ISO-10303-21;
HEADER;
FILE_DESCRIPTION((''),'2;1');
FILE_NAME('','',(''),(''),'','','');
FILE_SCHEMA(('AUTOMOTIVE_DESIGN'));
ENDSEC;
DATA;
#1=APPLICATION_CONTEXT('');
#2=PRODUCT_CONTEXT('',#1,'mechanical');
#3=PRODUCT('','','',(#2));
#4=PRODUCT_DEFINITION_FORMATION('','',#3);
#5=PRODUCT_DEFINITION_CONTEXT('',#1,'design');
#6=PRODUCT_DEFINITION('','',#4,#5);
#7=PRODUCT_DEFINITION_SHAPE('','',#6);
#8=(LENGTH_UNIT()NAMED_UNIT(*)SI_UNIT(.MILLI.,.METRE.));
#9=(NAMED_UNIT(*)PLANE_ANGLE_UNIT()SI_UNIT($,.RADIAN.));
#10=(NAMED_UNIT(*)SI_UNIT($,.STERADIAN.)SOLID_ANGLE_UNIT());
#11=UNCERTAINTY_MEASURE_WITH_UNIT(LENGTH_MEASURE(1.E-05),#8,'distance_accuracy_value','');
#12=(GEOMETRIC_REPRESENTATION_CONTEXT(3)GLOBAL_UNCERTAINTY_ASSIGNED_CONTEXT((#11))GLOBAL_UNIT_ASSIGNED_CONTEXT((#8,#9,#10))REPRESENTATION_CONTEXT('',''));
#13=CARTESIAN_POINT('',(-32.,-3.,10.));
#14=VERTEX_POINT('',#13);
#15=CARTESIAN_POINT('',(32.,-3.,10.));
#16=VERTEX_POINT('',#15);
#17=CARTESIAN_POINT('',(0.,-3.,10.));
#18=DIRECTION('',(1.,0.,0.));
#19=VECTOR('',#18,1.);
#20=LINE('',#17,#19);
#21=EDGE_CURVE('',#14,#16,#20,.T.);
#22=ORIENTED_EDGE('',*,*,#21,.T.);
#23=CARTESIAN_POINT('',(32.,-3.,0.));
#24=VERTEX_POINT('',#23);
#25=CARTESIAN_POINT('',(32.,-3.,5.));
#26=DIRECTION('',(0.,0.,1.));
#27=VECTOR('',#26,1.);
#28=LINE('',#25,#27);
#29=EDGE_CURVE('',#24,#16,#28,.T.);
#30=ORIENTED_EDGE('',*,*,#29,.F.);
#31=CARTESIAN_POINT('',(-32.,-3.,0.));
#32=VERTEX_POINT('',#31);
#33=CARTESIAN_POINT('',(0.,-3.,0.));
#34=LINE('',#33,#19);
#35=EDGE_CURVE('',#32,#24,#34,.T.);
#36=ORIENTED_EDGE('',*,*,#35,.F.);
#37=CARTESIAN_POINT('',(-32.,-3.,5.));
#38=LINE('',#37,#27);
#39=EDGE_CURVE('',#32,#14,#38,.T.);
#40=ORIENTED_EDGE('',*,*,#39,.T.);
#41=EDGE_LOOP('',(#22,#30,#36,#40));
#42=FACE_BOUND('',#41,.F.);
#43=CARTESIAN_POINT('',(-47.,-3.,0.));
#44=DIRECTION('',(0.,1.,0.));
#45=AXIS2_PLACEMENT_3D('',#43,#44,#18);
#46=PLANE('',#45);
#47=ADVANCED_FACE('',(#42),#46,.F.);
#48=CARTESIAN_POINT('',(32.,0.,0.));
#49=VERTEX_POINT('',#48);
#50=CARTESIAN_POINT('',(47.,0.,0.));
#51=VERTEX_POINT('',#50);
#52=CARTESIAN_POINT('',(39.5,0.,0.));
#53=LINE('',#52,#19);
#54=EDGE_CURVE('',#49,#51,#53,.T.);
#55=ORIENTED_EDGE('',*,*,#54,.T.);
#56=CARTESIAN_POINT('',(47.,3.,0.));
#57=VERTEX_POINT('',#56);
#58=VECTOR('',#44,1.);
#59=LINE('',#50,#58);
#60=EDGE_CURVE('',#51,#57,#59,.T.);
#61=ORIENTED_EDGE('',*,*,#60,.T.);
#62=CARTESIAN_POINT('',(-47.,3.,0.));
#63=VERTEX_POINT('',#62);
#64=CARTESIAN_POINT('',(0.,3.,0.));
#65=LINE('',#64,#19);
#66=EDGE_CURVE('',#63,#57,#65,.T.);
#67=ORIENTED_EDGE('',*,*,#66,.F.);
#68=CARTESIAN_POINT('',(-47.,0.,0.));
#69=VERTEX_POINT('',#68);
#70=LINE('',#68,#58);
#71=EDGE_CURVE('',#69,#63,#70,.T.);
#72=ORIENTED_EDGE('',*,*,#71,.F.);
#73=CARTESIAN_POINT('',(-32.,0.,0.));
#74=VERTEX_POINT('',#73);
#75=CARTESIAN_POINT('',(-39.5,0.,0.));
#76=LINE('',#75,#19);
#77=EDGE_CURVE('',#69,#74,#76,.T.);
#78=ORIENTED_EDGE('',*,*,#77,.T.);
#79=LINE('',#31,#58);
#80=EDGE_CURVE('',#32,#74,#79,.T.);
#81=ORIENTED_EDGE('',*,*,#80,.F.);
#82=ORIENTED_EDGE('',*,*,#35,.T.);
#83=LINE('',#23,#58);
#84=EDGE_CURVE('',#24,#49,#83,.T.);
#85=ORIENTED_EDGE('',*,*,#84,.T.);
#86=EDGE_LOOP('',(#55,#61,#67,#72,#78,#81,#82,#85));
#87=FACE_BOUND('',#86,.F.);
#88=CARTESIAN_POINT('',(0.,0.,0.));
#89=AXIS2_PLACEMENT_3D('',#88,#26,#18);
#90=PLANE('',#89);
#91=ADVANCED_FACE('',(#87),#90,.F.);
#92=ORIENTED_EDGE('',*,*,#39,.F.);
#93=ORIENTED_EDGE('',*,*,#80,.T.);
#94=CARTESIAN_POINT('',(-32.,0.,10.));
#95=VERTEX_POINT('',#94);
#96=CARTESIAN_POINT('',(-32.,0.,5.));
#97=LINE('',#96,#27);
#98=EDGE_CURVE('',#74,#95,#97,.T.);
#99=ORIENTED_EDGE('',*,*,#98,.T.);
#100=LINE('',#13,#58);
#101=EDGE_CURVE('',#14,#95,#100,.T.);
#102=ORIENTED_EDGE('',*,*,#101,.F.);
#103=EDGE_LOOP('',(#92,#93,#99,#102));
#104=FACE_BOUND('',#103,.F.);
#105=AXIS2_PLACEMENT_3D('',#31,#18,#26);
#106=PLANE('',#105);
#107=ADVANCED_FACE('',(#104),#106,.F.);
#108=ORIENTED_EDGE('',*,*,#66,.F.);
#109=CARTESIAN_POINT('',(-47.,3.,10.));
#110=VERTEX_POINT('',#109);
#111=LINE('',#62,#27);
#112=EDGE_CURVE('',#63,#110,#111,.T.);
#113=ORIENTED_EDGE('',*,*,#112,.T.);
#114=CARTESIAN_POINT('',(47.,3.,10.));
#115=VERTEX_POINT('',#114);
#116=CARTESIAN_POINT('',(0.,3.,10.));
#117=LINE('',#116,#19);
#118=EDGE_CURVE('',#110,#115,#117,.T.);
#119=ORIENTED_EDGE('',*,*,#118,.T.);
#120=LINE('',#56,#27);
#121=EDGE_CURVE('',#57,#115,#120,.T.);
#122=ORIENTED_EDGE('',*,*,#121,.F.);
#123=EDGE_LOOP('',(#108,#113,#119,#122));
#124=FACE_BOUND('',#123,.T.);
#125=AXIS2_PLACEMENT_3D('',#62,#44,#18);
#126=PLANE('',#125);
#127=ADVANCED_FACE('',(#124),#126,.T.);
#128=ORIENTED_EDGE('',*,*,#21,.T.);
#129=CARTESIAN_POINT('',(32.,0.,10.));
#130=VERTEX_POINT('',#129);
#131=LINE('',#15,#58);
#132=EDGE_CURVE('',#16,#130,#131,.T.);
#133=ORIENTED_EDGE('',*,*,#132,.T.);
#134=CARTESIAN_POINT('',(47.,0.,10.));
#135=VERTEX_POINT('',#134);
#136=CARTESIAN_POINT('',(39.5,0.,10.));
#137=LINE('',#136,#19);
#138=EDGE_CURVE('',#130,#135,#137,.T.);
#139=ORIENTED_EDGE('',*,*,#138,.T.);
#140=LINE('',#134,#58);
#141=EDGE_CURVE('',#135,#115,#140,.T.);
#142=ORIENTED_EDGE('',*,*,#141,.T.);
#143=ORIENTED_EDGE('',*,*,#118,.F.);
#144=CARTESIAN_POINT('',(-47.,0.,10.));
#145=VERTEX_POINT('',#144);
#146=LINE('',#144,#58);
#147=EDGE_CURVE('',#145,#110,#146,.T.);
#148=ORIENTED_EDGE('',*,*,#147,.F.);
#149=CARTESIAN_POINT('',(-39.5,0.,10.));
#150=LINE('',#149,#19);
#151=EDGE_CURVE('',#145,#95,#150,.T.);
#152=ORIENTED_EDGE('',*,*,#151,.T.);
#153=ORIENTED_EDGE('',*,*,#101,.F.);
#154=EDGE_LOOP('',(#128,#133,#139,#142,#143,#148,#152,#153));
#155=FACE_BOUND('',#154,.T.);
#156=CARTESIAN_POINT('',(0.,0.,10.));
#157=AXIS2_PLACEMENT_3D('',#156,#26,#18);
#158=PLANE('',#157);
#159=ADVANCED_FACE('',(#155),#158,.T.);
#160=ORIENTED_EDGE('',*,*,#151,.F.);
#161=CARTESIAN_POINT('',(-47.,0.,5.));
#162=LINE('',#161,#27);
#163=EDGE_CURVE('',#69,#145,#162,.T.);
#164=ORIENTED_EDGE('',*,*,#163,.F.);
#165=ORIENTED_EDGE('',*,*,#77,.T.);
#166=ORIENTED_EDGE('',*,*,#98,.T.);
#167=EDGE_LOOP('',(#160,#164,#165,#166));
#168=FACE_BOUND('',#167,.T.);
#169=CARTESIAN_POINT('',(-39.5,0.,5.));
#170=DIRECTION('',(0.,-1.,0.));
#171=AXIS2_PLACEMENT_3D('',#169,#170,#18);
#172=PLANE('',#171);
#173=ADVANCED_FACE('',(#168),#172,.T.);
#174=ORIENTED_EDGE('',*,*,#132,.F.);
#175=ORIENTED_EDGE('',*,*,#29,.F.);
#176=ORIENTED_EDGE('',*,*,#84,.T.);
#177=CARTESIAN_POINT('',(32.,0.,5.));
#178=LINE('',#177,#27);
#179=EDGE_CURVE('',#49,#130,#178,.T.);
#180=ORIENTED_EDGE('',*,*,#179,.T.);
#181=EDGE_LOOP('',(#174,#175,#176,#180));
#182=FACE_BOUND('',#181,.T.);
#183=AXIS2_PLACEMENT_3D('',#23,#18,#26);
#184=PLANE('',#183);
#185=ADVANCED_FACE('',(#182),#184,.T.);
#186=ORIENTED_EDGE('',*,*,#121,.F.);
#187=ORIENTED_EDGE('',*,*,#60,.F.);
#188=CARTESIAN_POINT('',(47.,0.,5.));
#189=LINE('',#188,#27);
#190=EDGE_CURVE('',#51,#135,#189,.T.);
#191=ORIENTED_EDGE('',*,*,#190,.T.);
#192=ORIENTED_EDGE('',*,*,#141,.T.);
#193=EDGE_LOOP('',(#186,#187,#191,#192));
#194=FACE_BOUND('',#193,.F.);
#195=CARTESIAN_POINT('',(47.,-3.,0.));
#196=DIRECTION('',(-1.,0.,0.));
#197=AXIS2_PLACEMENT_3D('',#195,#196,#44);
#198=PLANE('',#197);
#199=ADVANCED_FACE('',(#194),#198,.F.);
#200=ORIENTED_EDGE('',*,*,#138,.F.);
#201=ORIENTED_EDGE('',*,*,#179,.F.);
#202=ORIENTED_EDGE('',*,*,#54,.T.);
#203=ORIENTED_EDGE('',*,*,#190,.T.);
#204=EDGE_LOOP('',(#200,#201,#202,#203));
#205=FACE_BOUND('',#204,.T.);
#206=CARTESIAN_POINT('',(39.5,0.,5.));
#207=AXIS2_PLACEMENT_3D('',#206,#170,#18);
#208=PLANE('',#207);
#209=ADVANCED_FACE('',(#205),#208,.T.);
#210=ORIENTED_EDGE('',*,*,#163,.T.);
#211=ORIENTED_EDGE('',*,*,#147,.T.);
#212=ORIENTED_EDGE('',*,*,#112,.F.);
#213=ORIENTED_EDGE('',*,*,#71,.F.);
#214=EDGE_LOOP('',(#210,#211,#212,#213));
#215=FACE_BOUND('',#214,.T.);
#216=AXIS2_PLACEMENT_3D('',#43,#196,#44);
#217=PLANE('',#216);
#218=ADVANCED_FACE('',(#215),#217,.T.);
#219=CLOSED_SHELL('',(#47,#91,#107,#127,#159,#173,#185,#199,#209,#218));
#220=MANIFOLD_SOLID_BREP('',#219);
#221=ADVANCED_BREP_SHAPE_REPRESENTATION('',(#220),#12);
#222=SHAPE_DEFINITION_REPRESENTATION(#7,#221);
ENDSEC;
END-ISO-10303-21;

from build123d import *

# Parameters (mm, degrees)
F0_W     = 94
F0_H     = 6
F1_DEPTH = 10
F2_W     = 15
F2_H     = 10
F3_DEPTH = 3


with BuildPart() as f1:
    # F0 (on Top) → F1 (new body)
    with BuildSketch(Plane.XY):
        Rectangle(F0_W, F0_H)
    extrude(amount=F1_DEPTH)

    # F2 (on face) → F3 (cut)
    with BuildSketch(Plane.XZ.offset(3)):
        with Locations((39.5, 5)):
            Rectangle(F2_W, F2_H)
        with Locations((-39.5, 5)):
            Rectangle(F2_W, F2_H)
    extrude(amount=-F3_DEPTH, mode=Mode.SUBTRACT)


solid = f1.part
